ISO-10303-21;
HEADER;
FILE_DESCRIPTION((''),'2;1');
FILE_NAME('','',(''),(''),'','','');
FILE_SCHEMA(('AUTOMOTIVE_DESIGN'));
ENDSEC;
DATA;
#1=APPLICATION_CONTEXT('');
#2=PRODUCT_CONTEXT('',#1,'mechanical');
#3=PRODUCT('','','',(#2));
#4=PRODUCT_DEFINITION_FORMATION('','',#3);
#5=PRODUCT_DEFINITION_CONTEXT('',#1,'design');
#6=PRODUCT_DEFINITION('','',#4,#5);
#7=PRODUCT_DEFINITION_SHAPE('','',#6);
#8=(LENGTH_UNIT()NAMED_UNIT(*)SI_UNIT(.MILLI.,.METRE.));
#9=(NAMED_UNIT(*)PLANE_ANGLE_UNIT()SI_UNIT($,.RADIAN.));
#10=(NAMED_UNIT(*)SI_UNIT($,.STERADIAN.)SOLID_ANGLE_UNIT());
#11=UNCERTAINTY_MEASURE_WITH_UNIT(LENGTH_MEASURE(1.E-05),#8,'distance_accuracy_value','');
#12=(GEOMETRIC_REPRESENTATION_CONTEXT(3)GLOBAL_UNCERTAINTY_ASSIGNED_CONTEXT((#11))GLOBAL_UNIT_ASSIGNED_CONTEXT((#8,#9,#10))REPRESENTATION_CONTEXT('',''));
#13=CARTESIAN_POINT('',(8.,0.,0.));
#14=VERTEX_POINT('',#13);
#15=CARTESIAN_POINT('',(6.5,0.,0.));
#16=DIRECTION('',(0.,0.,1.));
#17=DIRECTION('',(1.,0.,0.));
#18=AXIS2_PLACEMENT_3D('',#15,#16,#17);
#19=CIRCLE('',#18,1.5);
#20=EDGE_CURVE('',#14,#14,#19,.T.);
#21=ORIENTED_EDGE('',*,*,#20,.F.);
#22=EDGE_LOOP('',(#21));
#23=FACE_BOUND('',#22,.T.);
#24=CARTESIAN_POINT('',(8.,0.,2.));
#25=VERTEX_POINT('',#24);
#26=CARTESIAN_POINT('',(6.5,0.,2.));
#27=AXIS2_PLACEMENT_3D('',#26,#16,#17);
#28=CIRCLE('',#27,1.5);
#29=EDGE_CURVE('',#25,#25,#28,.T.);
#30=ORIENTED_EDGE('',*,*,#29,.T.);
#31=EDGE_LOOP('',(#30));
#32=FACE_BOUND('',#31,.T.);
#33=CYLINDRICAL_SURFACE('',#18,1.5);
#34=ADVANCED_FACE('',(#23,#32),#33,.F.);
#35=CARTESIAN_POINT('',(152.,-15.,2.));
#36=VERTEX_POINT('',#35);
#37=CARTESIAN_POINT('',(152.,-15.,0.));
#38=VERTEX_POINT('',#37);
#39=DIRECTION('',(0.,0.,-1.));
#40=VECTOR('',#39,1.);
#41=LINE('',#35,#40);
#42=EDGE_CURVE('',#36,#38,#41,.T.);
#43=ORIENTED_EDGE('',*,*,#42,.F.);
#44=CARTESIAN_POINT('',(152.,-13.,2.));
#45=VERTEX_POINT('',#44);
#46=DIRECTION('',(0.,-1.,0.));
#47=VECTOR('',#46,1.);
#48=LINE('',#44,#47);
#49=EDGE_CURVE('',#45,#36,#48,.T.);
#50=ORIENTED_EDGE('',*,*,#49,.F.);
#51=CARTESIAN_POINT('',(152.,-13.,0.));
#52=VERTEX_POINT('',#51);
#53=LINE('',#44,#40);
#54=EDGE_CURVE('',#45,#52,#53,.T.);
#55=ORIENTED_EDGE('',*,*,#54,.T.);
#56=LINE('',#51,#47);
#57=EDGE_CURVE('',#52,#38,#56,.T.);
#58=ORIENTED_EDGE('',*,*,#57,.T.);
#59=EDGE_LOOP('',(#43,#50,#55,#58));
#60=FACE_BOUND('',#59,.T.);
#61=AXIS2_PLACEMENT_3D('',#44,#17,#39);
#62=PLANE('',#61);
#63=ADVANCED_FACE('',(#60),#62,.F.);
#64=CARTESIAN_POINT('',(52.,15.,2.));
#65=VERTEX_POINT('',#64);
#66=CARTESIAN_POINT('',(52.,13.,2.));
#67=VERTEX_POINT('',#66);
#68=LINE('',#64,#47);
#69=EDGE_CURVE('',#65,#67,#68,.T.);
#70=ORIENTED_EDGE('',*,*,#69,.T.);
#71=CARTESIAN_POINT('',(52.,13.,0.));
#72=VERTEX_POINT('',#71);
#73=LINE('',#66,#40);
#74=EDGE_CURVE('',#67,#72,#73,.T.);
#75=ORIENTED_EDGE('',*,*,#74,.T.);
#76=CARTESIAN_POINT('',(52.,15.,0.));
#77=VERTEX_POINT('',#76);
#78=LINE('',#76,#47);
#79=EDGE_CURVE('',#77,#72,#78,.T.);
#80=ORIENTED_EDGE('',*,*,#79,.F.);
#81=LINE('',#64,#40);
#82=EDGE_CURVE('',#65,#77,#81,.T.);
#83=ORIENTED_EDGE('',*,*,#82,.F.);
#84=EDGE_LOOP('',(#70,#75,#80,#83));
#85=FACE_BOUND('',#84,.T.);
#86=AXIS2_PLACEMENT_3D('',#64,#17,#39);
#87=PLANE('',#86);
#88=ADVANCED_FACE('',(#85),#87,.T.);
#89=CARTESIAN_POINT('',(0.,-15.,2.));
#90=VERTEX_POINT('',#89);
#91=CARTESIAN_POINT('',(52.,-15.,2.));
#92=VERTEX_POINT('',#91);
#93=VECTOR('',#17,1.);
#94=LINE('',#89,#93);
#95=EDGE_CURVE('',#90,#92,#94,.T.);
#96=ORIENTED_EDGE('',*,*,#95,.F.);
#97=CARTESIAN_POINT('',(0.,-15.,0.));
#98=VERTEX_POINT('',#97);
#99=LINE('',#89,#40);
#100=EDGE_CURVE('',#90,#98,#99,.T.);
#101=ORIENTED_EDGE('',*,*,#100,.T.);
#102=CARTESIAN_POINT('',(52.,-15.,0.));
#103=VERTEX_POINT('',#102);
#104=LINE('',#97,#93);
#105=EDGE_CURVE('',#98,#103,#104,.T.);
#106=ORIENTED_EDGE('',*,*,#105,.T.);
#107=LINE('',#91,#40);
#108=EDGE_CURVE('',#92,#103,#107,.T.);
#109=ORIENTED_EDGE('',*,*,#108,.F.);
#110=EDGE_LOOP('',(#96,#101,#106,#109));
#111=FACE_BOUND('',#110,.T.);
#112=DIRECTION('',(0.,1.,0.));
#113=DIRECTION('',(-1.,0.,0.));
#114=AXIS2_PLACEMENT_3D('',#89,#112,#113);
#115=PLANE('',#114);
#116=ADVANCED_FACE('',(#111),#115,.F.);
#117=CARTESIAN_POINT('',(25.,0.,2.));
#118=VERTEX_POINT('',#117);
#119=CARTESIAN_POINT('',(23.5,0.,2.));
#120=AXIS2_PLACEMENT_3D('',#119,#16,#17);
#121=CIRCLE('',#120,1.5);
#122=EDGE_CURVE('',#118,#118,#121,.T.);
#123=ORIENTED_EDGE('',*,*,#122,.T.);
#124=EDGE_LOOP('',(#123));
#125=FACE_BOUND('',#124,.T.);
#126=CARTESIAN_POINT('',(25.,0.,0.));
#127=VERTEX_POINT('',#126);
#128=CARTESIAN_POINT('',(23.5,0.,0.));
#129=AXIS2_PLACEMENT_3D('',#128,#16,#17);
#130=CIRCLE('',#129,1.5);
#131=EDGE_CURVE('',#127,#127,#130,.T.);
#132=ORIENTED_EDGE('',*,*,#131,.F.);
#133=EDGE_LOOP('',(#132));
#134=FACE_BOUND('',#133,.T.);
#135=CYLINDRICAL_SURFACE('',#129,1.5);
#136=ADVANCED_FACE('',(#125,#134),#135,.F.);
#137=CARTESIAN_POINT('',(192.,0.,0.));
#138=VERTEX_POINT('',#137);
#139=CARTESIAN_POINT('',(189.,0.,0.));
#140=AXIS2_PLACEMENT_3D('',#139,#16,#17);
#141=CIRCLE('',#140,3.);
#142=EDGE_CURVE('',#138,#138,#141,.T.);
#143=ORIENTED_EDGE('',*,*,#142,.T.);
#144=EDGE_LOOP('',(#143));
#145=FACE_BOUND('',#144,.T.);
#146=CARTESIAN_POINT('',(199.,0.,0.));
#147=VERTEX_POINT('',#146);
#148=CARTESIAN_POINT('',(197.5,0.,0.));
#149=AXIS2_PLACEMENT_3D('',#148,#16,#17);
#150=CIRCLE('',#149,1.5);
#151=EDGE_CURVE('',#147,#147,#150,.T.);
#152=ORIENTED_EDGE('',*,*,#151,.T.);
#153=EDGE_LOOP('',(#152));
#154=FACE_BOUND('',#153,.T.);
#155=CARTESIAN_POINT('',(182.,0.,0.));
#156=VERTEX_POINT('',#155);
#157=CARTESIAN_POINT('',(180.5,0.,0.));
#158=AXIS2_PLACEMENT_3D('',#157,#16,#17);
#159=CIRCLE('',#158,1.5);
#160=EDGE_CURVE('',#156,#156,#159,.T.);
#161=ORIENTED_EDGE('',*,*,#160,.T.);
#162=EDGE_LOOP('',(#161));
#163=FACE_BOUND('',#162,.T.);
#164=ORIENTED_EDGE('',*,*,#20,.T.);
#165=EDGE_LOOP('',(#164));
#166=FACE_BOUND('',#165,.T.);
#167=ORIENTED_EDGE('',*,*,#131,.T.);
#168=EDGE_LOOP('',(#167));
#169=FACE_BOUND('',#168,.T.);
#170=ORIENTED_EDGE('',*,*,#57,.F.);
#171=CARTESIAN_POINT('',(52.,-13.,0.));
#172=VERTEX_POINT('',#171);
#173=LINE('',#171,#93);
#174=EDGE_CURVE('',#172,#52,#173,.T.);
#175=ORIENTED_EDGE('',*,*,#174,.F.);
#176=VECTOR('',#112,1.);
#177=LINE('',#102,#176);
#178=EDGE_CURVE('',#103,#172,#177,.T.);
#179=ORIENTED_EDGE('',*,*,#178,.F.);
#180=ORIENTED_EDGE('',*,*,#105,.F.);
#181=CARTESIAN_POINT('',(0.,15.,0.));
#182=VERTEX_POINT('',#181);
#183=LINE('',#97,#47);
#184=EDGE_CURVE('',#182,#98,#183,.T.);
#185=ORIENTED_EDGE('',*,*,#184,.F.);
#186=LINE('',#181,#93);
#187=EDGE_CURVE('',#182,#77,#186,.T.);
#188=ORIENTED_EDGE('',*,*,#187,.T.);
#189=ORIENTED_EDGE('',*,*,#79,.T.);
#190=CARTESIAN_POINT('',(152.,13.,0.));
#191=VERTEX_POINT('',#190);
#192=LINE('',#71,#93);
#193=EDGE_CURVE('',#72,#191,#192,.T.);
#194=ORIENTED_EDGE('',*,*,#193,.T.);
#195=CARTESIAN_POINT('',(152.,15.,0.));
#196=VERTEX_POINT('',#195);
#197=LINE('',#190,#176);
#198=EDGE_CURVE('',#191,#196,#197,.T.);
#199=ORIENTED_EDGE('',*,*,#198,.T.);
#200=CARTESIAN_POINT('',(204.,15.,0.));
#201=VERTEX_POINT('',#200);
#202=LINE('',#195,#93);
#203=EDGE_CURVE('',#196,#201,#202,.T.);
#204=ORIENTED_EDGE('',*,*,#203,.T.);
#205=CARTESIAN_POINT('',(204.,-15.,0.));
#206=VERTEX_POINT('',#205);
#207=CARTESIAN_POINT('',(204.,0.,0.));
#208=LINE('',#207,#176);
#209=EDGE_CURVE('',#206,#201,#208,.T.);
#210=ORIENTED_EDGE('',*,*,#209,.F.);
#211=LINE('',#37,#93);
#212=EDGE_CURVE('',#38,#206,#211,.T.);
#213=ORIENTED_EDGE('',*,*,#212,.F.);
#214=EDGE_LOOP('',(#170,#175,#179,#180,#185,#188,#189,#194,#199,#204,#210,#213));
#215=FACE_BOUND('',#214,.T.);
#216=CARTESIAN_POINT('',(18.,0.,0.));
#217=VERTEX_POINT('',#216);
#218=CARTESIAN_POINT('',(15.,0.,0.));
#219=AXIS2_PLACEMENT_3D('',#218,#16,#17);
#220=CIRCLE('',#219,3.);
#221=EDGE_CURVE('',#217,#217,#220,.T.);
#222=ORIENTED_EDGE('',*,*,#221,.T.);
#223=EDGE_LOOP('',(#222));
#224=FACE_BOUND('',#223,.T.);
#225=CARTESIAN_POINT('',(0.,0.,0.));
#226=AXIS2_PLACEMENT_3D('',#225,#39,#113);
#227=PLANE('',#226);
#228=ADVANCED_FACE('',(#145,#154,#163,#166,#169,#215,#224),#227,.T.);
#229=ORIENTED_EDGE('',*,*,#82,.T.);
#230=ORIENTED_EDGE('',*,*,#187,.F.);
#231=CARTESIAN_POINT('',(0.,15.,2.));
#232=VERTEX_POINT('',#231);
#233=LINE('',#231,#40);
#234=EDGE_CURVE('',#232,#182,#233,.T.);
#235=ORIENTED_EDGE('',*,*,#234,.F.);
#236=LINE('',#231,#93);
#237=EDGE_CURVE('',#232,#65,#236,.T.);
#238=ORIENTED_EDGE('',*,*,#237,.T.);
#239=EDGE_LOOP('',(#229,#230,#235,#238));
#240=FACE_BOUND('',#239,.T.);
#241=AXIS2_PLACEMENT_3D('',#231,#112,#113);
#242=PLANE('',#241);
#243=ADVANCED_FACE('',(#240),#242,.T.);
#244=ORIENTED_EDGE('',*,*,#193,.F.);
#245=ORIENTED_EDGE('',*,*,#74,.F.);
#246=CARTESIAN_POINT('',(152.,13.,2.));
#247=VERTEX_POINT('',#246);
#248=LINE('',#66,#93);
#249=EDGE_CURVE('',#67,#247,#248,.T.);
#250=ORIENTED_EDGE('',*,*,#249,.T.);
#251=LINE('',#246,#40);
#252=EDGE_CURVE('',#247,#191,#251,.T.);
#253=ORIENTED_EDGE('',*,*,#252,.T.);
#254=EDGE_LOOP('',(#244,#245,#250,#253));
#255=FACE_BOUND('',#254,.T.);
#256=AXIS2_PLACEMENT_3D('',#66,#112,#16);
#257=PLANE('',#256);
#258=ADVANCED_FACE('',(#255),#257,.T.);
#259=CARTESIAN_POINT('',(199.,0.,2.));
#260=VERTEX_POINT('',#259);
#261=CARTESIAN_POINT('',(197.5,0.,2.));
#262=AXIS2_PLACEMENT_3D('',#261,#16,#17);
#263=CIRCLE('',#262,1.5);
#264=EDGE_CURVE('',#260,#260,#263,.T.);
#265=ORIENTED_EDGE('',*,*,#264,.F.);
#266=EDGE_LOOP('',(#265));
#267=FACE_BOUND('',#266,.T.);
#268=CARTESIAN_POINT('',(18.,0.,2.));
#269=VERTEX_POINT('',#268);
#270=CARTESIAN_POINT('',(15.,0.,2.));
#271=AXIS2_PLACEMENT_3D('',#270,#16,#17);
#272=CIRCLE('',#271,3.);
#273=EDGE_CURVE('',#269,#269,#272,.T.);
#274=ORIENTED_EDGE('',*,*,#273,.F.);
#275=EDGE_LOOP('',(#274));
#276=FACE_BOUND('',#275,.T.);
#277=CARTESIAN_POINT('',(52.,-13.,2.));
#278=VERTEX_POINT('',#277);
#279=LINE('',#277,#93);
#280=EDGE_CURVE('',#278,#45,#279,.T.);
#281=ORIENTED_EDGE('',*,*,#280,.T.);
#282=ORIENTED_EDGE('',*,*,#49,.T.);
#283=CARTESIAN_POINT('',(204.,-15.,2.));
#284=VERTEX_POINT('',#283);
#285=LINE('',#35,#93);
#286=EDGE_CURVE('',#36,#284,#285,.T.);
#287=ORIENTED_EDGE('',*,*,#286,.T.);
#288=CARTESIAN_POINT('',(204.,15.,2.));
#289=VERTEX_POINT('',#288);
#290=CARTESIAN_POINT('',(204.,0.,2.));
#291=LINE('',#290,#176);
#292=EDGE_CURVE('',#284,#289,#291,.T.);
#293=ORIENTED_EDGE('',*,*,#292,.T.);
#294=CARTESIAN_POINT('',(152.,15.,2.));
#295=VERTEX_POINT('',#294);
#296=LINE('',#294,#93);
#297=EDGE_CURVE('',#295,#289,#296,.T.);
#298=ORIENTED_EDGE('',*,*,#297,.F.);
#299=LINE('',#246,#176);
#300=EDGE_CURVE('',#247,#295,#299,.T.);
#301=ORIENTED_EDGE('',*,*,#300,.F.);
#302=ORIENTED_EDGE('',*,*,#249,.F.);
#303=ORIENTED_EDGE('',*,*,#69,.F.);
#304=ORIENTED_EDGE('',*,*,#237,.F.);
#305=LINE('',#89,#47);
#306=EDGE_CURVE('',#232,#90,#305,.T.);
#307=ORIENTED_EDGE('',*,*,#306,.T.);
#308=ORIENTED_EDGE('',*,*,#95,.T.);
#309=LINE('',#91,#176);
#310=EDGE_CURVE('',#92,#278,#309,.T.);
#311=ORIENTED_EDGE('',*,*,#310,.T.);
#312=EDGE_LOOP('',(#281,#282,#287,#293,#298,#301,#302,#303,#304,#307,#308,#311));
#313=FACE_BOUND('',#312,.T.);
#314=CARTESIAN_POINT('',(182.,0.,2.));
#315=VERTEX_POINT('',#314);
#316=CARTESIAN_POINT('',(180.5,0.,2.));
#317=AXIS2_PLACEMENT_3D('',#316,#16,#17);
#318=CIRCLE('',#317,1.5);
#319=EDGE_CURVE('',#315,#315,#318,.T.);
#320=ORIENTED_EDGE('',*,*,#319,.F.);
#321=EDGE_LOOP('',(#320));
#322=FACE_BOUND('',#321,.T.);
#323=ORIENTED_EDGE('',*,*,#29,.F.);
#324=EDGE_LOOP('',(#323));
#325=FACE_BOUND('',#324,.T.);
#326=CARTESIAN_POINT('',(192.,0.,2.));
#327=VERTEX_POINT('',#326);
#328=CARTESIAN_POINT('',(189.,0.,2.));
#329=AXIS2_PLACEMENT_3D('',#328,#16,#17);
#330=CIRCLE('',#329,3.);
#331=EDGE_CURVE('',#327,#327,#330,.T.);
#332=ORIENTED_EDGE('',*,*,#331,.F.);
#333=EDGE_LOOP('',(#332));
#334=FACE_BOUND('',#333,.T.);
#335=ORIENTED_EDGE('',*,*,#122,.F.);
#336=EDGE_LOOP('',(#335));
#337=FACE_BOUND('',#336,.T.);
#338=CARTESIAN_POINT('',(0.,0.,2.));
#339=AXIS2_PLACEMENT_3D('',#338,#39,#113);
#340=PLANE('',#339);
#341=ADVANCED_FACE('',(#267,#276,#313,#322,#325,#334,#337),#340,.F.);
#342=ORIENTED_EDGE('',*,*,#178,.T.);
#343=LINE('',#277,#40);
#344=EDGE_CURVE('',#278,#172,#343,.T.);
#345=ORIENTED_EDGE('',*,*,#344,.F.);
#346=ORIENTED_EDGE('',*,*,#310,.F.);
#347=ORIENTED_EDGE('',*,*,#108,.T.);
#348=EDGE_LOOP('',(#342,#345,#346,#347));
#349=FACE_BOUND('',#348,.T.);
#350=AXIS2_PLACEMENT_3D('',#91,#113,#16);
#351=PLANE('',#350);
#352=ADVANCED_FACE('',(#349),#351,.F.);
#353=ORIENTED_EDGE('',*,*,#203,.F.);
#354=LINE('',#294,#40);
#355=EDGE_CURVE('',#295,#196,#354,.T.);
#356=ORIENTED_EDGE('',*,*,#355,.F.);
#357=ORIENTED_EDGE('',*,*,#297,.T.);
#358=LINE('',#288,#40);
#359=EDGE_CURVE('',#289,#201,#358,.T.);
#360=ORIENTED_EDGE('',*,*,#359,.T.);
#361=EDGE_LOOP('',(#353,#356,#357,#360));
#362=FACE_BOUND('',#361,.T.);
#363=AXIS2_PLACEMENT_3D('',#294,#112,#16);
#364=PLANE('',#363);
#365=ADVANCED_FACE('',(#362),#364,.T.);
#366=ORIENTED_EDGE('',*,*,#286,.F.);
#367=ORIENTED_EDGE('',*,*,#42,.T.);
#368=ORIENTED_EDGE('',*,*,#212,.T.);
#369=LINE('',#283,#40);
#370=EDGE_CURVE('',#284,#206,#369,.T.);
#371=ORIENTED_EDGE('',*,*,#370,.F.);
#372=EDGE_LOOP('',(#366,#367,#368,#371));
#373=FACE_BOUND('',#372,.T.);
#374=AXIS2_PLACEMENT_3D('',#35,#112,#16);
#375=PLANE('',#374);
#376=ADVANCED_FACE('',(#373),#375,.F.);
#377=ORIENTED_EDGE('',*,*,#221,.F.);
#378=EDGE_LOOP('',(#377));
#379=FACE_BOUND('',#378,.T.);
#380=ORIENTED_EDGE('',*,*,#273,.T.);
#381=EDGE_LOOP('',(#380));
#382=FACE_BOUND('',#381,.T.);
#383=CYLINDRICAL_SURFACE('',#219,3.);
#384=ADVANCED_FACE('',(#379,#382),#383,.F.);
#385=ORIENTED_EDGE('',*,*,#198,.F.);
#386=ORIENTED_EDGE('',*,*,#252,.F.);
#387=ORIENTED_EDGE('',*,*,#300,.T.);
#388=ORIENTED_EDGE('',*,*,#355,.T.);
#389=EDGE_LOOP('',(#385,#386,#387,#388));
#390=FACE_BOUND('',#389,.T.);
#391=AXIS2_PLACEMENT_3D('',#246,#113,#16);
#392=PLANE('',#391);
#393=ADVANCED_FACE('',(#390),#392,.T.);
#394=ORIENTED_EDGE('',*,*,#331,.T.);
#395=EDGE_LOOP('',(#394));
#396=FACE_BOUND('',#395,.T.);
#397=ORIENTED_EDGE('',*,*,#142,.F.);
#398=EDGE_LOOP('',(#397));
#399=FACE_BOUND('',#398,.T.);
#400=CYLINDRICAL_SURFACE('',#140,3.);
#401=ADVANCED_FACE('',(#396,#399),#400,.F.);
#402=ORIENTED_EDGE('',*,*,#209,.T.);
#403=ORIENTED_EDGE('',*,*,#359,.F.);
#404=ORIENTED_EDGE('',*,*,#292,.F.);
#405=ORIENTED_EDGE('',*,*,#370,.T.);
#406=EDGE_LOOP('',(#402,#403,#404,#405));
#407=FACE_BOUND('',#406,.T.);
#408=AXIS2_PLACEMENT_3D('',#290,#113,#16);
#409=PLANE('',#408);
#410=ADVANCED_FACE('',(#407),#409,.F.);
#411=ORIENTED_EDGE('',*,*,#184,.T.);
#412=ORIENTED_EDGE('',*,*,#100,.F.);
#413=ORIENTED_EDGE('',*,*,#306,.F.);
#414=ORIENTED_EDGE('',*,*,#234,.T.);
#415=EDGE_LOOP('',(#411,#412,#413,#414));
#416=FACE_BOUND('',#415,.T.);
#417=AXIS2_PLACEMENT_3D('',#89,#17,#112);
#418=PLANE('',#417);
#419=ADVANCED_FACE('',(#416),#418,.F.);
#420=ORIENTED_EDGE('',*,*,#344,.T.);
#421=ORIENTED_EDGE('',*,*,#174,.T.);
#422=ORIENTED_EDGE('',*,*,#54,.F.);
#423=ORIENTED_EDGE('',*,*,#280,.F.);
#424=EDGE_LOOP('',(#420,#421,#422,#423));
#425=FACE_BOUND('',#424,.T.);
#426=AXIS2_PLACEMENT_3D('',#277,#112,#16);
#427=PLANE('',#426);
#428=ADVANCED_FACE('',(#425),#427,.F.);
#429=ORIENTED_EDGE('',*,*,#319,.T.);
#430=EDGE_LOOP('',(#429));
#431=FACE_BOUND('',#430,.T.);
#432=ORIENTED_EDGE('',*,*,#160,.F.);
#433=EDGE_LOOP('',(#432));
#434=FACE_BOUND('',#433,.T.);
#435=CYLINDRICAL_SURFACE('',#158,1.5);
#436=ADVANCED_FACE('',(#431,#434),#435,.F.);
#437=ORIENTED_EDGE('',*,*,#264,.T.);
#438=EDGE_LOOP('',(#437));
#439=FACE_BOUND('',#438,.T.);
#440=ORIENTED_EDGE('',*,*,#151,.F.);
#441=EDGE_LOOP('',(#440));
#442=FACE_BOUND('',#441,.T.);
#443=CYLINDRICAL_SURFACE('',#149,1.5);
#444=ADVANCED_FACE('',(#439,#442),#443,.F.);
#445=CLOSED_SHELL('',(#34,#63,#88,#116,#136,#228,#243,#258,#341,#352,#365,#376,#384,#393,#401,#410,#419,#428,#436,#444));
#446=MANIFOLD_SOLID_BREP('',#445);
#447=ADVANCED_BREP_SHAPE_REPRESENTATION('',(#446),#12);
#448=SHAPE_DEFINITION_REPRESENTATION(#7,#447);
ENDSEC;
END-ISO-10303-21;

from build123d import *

# Parameters (mm, degrees)
BOSS_EXTRUDE1_DEPTH = 2
SKETCH2_R           = 1.5
SKETCH2_R_2         = 3
CUT_EXTRUDE1_DEPTH  = 2


with BuildPart() as part:
    # Sketch1 → Boss-Extrude1 (new body)
    with BuildSketch(Plane.XY):
        Polygon((0, -15), (0, 0), (204, 0), (204, -15), (152, -15), (152, -13), (52, -13), (52, -15), align=None)
    boss_extrude1 = extrude(amount=BOSS_EXTRUDE1_DEPTH)

    # Mirror2: Boss-Extrude1 across plane
    add(boss_extrude1.mirror(Plane(origin=(0, 0, 2), x_dir=(0, 0, 1), z_dir=(0, -1, 0))))

    # Sketch2 → Cut-Extrude1 (cut)
    with BuildSketch(Plane.XY.offset(2)):
        with Locations((6.5, 0)):
            Circle(SKETCH2_R)
        with Locations((15, 0)):
            Circle(SKETCH2_R_2)
        with Locations((23.5, 0)):
            Circle(SKETCH2_R)
        with Locations((180.5, 0)):
            Circle(SKETCH2_R)
        with Locations((189, 0)):
            Circle(SKETCH2_R_2)
        with Locations((197.5, 0)):
            Circle(SKETCH2_R)
    extrude(amount=-CUT_EXTRUDE1_DEPTH, mode=Mode.SUBTRACT)


solid = part.part
